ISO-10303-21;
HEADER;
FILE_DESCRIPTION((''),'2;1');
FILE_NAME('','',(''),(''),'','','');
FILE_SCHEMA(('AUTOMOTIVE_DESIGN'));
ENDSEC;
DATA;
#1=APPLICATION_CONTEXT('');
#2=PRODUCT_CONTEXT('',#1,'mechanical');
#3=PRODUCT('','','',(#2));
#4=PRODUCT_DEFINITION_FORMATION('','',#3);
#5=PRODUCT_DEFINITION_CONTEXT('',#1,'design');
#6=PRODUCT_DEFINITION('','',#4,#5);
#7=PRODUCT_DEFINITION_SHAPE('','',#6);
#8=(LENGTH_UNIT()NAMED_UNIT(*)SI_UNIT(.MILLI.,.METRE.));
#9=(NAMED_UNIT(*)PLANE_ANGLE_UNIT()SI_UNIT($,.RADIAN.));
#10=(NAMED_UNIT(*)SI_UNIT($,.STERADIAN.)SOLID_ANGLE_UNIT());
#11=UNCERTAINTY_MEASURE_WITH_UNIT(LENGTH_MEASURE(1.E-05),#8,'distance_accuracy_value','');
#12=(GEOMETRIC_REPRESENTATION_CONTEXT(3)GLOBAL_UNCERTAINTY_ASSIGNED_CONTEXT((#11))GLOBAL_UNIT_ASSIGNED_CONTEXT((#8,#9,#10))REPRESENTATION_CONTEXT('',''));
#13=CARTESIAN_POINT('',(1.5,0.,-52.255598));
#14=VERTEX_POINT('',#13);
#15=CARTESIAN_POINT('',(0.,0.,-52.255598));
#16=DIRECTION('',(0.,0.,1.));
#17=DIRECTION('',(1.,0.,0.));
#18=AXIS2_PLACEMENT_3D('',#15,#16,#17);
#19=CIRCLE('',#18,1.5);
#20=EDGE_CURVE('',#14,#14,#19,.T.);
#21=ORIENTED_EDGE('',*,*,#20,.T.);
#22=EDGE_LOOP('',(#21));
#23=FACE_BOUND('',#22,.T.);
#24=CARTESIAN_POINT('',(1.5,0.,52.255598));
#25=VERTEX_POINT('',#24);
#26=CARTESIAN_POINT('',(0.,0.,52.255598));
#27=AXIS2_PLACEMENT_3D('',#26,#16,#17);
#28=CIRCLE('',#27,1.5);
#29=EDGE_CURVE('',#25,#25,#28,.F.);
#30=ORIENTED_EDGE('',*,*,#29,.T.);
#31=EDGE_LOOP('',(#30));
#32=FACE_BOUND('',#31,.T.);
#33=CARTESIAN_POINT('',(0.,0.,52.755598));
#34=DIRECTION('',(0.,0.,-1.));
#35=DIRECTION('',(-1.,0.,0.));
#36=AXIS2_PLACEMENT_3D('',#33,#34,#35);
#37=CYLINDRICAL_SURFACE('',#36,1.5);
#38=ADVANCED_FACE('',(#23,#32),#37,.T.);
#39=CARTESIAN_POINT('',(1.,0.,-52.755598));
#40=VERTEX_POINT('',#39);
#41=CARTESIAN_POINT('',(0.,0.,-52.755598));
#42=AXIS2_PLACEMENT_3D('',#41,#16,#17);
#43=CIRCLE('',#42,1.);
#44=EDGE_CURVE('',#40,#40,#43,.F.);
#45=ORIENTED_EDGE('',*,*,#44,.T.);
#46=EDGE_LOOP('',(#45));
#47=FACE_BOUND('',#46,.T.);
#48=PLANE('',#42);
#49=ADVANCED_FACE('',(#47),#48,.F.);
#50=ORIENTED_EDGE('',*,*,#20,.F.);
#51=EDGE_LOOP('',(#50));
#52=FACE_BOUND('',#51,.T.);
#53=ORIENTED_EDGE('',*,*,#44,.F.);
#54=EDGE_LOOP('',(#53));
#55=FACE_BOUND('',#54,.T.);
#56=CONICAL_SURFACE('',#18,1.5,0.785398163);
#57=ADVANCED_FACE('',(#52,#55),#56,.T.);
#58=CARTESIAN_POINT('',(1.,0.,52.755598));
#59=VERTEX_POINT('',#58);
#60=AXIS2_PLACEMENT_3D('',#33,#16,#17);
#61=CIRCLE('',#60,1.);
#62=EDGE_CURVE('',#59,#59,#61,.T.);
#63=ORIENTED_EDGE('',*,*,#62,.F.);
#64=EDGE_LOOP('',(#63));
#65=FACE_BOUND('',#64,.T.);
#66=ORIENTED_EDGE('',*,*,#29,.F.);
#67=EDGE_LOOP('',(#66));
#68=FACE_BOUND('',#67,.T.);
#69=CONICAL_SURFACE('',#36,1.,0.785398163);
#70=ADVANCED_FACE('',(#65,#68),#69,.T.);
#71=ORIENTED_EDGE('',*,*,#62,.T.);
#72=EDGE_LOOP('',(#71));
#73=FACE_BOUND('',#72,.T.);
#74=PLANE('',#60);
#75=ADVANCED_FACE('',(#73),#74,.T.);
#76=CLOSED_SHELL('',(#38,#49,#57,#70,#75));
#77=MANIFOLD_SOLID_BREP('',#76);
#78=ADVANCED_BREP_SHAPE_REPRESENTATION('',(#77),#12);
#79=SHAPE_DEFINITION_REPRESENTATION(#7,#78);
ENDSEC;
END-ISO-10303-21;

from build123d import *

# Parameters (mm, degrees)
ESQUISSE1_R          = 1.5
BASE_EXTRUSION_DEPTH = 52.75559792
CHANFREIN1_SIZE      = 0.5


with BuildPart() as part:
    # Esquisse1 → Base-Extrusion (new, symmetric)
    with BuildSketch(Plane.XY):
        Circle(ESQUISSE1_R)
    extrude(amount=BASE_EXTRUSION_DEPTH, both=True)

    # Chanfrein1
    chanfrein1_edges = [part.edges().sort_by_distance(p)[0] for p in [
        (-1.5, 0, -52.75559792),
        (-1.5, 0, 52.75559792),
    ]]
    chamfer(chanfrein1_edges, length=CHANFREIN1_SIZE)


solid = part.part
